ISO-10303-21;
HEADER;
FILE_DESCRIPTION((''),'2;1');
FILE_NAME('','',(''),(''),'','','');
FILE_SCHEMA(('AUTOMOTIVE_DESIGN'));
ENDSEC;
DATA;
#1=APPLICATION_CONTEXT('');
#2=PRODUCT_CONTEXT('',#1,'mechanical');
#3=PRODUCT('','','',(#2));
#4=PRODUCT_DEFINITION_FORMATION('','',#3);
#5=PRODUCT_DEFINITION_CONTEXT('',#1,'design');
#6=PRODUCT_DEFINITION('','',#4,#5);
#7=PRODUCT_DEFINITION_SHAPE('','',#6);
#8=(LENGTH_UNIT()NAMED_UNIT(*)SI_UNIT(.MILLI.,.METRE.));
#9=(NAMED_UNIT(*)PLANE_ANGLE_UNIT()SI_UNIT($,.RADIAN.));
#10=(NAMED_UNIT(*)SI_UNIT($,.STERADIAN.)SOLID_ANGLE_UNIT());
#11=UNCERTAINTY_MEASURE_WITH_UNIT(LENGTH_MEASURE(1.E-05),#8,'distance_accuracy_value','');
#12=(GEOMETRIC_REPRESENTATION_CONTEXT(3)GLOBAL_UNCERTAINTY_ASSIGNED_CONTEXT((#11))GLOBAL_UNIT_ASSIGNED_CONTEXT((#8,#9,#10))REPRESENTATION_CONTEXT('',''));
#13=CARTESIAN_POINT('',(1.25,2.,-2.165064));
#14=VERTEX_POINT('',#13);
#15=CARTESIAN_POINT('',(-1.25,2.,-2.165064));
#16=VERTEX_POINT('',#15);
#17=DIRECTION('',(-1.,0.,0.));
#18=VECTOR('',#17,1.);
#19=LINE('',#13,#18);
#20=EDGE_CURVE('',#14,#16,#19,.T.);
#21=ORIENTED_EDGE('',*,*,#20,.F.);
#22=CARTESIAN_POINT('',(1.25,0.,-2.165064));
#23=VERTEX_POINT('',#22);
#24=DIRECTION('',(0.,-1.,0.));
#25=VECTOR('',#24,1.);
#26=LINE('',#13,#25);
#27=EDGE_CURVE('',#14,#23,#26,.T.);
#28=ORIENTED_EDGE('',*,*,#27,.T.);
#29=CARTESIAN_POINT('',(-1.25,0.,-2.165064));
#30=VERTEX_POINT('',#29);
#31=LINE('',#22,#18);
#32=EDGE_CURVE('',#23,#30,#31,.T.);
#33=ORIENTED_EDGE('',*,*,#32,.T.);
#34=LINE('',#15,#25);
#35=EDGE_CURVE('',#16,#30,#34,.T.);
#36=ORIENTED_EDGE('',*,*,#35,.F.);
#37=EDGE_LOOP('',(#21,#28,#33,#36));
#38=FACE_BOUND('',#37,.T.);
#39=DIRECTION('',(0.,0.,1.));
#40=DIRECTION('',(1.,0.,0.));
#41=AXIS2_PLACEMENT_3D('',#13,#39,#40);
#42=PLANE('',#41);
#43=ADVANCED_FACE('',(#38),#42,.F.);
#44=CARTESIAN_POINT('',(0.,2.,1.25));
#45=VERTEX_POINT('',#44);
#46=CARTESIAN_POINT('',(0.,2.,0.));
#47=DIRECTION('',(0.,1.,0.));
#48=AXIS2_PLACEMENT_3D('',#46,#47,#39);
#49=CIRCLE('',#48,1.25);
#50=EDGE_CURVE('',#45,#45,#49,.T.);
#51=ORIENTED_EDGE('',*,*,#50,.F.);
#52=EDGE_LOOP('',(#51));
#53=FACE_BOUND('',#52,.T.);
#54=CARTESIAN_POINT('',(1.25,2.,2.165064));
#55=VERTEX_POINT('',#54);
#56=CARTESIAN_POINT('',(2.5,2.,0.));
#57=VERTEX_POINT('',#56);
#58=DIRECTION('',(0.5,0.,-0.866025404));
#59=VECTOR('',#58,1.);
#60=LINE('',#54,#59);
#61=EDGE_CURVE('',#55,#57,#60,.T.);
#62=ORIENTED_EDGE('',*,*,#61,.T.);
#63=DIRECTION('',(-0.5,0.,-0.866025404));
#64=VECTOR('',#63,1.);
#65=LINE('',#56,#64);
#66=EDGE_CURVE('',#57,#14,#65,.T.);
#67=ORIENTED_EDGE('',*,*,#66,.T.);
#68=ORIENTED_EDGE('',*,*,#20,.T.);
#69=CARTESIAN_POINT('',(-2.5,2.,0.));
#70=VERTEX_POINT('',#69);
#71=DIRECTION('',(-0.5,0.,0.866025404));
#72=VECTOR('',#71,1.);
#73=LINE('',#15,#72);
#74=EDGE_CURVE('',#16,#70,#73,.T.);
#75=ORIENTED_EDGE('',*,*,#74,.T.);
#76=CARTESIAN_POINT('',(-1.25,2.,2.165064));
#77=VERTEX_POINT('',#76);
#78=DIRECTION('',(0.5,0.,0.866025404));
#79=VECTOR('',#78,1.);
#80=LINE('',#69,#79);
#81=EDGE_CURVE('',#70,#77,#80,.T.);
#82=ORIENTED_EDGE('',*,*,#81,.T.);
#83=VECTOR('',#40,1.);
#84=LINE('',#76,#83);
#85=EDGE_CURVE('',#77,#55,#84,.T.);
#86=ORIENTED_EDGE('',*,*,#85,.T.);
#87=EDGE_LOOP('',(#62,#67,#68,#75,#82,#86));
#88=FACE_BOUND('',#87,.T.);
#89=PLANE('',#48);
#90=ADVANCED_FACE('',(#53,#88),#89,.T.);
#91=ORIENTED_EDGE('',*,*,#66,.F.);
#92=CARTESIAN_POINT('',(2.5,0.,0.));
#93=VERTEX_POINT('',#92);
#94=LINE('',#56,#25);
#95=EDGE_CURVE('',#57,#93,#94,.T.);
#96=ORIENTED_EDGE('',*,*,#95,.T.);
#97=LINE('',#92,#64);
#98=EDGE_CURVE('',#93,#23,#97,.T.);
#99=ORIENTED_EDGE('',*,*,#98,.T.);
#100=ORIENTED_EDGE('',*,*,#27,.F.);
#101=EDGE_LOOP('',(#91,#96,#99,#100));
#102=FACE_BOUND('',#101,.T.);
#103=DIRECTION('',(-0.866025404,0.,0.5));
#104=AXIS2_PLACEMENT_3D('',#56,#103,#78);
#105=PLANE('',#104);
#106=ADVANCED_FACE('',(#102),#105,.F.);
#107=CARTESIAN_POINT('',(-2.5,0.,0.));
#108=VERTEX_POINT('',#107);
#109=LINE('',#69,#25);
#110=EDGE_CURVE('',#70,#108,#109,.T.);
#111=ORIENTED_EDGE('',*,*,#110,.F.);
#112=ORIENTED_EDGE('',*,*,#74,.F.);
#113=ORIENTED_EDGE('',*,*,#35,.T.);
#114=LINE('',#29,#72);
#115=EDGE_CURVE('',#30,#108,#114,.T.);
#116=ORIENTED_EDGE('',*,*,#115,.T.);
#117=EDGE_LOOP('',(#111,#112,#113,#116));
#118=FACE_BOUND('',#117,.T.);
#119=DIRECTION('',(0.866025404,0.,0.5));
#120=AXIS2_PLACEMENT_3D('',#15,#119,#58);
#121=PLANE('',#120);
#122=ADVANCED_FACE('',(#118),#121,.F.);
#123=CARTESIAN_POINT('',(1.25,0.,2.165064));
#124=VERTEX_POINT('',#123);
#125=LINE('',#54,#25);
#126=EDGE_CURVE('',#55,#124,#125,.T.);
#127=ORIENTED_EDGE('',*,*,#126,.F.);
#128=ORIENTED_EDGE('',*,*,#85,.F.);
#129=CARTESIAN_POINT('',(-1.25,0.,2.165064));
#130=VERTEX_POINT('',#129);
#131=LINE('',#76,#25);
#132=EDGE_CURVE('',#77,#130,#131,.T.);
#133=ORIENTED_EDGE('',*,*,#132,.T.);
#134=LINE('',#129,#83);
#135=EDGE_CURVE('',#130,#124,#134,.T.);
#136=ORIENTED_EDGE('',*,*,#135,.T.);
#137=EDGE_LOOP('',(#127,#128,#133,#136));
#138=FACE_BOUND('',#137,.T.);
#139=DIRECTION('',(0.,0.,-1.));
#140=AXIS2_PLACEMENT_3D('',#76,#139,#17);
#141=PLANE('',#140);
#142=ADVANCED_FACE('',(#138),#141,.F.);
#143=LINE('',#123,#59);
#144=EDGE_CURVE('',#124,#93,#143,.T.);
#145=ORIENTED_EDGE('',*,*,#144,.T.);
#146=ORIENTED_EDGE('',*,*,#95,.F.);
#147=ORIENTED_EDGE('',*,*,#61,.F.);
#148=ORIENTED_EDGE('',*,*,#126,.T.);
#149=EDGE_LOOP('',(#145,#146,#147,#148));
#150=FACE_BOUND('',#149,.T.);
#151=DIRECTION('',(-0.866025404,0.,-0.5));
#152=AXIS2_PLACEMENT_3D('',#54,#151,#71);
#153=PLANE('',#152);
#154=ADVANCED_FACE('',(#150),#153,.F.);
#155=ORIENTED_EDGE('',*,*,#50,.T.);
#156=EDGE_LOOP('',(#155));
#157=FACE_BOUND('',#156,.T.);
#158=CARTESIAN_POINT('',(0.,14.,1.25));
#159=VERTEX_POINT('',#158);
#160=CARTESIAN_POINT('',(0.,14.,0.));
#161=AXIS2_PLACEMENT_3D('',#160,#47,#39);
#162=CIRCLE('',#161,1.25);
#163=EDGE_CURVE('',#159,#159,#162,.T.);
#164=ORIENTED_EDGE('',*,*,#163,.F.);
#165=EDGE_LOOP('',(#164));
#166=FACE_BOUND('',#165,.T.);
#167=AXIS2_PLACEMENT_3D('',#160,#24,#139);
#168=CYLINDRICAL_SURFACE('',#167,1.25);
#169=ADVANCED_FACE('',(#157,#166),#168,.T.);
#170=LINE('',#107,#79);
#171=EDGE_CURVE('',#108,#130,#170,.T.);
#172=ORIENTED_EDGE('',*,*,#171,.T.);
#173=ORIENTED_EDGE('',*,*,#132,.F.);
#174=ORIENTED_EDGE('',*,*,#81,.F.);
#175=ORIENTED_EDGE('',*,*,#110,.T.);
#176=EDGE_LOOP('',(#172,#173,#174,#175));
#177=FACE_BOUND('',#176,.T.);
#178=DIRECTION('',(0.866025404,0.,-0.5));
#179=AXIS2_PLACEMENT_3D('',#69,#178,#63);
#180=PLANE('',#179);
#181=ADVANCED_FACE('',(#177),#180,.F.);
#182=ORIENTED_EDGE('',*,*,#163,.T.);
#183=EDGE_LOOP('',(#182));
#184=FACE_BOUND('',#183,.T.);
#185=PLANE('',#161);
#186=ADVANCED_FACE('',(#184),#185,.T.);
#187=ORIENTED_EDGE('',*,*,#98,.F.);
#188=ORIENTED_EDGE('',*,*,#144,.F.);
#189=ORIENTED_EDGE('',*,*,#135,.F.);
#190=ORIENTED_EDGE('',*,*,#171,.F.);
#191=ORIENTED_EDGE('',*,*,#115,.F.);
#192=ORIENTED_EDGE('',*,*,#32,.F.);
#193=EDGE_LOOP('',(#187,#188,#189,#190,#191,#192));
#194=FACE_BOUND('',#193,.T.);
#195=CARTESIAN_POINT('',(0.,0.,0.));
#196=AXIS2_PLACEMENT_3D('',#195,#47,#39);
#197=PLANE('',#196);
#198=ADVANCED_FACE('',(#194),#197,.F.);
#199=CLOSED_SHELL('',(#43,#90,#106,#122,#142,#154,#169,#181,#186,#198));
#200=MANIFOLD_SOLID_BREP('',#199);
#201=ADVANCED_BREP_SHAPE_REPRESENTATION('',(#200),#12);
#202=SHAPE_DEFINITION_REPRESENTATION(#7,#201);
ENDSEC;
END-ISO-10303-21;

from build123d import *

# Parameters (mm, degrees)
EXTRUDE_1_DEPTH = 2
SKETCH_2_R      = 1.25
EXTRUDE_2_DEPTH = 12


with BuildPart() as part:
    # 草图1 → 凸台-拉伸1 (new body)
    with BuildSketch(Plane(origin=(0, 0, 0), x_dir=(1, 0, 0), z_dir=(0, 1, 0))):
        Polygon((2.5, 0), (1.25, 2.165063509), (-1.25, 2.165063509), (-2.5, 0), (-1.25, -2.165063509), (1.25, -2.165063509), align=None)
    extrude(amount=EXTRUDE_1_DEPTH)

    # 草图2 → 凸台-拉伸2 (add)
    with BuildSketch(Plane(origin=(0, 2, 0), x_dir=(1, 0, 0), z_dir=(0, 1, 0))):
        with Locations(Location((0, 0, 0), (0, 0, 270))):
            Circle(SKETCH_2_R)
    extrude(amount=EXTRUDE_2_DEPTH)


solid = part.part
